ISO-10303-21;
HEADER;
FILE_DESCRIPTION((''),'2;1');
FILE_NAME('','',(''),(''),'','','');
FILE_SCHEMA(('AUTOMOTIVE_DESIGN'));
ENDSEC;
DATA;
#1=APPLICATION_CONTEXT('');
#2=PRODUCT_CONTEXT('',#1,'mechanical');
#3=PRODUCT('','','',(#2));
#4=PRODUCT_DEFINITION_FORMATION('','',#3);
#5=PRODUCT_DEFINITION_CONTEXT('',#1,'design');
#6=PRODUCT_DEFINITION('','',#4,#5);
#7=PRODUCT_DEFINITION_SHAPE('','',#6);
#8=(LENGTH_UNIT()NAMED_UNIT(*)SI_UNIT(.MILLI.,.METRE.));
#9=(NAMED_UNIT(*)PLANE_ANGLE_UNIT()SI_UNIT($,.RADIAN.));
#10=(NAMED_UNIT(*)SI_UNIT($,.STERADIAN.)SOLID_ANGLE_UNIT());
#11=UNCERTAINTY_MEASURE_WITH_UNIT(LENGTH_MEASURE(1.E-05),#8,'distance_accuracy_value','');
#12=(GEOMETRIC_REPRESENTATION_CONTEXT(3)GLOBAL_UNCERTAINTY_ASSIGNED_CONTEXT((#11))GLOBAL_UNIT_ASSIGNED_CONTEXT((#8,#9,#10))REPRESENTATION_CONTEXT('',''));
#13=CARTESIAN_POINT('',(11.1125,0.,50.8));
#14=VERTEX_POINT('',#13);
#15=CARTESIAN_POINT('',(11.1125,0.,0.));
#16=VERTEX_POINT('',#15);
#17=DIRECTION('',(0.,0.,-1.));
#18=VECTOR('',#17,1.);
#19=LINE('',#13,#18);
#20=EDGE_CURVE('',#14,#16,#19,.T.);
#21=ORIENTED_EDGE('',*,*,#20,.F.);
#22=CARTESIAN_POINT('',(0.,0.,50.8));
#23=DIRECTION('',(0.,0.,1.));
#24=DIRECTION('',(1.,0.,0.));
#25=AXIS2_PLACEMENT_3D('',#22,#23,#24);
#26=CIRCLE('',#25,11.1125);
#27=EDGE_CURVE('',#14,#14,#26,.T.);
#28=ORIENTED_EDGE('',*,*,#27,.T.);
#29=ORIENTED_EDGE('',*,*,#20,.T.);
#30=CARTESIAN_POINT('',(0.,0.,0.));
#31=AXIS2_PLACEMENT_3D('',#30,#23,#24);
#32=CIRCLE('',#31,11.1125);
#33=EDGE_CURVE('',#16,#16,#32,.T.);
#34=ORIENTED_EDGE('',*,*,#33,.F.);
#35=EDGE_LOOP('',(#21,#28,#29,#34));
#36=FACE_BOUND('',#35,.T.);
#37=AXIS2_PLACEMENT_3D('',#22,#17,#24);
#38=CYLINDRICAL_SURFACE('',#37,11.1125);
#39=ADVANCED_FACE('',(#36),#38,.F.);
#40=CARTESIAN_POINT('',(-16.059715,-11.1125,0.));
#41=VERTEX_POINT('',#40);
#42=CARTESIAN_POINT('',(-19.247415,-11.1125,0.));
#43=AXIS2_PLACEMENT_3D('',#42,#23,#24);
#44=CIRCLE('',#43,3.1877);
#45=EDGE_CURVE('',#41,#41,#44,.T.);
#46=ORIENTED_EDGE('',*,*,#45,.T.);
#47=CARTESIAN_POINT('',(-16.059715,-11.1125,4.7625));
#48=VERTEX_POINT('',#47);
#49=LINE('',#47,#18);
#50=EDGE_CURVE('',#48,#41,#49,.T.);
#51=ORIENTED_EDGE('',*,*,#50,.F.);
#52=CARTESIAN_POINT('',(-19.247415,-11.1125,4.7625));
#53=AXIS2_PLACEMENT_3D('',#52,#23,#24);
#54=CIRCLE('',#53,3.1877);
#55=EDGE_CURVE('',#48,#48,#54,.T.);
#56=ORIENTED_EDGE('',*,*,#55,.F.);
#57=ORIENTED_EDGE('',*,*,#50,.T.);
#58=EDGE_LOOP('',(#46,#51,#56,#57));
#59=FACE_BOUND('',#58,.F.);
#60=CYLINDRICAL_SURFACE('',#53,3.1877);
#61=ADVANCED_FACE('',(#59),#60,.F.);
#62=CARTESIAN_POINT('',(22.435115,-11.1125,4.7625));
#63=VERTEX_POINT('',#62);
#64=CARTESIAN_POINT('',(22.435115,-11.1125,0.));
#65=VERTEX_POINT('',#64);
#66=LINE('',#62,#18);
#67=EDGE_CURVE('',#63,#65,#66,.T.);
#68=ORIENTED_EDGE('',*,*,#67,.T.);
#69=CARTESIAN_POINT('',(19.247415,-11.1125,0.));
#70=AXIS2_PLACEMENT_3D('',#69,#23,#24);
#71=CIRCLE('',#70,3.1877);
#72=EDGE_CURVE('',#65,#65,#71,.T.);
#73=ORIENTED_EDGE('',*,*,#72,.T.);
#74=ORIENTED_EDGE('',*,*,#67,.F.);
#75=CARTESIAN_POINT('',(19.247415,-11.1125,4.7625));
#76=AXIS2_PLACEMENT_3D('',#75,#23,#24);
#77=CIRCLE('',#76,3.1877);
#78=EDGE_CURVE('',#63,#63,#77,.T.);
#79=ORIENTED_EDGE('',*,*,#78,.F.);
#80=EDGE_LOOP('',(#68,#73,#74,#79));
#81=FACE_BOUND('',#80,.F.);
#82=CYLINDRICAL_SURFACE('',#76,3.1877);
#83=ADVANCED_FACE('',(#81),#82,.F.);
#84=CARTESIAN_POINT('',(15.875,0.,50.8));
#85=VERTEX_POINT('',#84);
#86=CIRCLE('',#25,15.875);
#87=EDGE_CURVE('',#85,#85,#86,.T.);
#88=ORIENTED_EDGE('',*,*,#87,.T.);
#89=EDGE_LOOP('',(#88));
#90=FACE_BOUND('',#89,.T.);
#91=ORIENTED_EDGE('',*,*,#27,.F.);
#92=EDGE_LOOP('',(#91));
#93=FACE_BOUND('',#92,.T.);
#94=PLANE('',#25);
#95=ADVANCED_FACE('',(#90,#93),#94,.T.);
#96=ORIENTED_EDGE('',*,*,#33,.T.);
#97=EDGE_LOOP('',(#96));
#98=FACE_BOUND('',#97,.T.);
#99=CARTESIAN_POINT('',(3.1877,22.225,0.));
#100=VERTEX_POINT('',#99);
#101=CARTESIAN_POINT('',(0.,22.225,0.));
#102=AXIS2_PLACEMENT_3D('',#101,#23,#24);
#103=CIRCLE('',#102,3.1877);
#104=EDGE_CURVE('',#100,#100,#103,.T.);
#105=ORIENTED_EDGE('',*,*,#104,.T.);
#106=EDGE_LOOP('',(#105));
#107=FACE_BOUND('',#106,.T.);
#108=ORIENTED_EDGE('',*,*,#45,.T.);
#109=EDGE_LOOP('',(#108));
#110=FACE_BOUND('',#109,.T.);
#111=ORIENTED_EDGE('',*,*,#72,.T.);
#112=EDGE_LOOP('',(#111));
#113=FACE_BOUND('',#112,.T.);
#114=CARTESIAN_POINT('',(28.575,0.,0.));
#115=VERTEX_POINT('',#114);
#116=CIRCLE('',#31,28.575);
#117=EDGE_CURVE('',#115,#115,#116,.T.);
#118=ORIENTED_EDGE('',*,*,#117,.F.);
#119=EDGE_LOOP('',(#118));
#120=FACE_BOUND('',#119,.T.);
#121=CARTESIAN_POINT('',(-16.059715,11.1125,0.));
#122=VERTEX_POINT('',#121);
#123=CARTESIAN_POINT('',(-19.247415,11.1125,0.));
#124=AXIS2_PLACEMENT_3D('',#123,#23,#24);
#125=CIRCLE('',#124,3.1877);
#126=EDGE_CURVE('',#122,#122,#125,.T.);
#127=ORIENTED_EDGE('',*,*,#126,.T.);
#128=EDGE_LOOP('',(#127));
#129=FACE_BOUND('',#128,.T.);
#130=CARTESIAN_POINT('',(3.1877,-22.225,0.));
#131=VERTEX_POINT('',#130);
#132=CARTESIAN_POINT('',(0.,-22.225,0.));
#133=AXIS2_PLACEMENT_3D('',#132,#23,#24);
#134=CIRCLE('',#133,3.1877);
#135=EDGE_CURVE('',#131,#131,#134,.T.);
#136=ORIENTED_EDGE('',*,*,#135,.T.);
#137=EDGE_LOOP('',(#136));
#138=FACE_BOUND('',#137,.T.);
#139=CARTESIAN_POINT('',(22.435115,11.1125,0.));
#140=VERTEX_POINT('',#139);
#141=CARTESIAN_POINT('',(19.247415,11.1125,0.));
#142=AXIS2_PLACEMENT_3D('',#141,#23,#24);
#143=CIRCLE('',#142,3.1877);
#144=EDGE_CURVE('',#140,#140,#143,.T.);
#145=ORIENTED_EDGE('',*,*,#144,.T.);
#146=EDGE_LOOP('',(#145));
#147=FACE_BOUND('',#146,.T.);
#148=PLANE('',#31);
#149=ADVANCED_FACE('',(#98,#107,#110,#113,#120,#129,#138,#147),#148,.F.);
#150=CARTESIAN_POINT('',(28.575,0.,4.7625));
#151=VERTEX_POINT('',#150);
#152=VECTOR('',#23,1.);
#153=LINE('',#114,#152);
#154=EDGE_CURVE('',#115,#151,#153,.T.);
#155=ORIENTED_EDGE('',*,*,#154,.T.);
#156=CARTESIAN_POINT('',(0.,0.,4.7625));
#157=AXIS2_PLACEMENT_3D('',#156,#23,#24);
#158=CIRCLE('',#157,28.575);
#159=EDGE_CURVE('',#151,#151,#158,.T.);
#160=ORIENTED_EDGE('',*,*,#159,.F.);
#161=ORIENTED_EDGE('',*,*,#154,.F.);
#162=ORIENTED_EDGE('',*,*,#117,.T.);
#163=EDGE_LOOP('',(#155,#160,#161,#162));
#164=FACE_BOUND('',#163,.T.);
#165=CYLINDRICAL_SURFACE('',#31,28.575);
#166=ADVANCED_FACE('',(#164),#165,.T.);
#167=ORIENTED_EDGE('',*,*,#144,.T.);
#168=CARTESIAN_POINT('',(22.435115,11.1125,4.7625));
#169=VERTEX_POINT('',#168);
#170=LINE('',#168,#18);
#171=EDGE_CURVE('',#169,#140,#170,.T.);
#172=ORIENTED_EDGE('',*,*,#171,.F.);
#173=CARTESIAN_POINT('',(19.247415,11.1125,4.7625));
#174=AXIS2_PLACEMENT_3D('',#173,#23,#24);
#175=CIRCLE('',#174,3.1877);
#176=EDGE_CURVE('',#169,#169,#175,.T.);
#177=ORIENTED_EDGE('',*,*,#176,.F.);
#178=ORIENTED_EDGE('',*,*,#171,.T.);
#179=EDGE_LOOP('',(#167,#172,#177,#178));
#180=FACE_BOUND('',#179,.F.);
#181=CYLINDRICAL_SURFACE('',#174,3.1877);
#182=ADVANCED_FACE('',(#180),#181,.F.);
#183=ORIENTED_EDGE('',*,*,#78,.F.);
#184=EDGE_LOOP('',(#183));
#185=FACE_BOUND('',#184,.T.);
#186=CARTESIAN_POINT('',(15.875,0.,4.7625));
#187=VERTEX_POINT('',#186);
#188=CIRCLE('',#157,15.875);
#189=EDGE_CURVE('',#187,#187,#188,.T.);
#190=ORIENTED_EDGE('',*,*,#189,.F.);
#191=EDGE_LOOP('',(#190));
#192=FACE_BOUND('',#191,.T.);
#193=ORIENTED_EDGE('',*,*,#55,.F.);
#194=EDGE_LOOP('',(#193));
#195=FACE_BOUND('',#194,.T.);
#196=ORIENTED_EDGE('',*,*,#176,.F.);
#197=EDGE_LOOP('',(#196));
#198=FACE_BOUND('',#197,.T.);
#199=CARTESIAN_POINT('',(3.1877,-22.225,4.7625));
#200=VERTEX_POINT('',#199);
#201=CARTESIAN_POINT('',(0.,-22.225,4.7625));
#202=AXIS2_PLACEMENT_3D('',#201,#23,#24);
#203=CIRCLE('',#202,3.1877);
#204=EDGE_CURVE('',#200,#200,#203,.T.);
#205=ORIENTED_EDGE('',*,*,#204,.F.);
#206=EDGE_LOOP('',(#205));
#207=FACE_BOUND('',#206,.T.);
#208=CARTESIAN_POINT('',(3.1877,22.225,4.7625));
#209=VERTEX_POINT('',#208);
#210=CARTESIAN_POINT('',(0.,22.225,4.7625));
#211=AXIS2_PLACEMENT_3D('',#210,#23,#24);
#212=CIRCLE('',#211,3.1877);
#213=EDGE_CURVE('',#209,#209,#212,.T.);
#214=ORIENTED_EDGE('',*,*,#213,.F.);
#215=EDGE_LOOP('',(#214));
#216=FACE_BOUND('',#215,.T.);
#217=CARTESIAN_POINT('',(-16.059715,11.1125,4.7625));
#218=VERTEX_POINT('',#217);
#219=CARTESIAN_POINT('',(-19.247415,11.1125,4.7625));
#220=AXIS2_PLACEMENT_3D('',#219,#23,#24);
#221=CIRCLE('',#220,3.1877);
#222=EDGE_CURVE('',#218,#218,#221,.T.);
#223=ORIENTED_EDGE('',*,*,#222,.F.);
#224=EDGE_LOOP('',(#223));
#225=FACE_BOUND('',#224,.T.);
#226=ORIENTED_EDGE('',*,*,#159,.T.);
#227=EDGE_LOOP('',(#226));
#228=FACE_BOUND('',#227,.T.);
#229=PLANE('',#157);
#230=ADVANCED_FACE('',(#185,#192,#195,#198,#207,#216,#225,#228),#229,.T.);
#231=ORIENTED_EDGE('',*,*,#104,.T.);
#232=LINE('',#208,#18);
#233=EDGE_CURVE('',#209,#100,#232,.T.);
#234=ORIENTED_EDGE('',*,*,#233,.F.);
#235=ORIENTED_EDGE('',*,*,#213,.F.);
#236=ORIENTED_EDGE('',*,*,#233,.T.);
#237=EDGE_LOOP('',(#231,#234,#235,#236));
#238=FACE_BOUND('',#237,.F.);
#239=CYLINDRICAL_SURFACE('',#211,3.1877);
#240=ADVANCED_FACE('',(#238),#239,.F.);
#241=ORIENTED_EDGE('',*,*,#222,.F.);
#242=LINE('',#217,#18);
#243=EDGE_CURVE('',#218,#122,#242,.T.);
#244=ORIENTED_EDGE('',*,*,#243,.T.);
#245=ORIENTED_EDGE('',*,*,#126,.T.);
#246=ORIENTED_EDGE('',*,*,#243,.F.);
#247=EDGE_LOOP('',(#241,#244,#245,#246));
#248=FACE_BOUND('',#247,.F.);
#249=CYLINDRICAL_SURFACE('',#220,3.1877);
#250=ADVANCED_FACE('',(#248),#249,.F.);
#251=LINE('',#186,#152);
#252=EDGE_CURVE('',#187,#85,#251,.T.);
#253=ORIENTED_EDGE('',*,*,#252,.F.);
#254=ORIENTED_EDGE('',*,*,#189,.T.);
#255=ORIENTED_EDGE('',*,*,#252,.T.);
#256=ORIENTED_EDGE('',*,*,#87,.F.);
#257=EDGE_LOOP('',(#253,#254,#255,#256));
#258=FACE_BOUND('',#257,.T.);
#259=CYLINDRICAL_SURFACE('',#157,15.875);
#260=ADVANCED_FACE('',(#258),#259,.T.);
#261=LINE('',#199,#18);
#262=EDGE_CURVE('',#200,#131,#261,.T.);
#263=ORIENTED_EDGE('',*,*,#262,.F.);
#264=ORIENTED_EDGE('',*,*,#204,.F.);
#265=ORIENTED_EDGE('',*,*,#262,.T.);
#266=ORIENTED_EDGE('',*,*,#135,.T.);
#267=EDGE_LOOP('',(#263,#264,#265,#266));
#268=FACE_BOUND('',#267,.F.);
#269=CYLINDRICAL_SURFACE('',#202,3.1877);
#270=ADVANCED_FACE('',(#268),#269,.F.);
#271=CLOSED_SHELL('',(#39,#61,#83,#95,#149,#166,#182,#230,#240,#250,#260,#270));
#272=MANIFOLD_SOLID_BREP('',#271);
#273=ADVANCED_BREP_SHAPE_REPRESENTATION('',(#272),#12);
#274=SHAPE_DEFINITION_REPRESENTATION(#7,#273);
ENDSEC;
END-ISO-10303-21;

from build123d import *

# Parameters (mm, degrees)
F2_R     = 3.1877
F3_DEPTH = 25.4


with BuildPart() as f1:
    # F0 (on Front) → F1 (revolve)
    with BuildSketch(Plane.XZ):
        Polygon((11.1125, 50.8), (11.1125, 0), (28.575, 0), (28.575, 4.7625), (15.875, 4.7625), (15.875, 50.8), align=None)
    revolve(axis=Axis((0, 0, 24.967514), (0, 0, 1)))

    # F2 (on face) → F3 (cut)
    with BuildSketch(Plane.XY.offset(4.7625)):
        with Locations((0, 22.225)):
            Circle(F2_R)
        with Locations((19.247415, 11.1125)):
            Circle(F2_R)
        with Locations((19.247415, -11.1125)):
            Circle(F2_R)
        with Locations((0, -22.225)):
            Circle(F2_R)
        with Locations((-19.247415, -11.1125)):
            Circle(F2_R)
        with Locations((-19.247415, 11.1125)):
            Circle(F2_R)
    extrude(amount=-F3_DEPTH, mode=Mode.SUBTRACT)


solid = f1.part
